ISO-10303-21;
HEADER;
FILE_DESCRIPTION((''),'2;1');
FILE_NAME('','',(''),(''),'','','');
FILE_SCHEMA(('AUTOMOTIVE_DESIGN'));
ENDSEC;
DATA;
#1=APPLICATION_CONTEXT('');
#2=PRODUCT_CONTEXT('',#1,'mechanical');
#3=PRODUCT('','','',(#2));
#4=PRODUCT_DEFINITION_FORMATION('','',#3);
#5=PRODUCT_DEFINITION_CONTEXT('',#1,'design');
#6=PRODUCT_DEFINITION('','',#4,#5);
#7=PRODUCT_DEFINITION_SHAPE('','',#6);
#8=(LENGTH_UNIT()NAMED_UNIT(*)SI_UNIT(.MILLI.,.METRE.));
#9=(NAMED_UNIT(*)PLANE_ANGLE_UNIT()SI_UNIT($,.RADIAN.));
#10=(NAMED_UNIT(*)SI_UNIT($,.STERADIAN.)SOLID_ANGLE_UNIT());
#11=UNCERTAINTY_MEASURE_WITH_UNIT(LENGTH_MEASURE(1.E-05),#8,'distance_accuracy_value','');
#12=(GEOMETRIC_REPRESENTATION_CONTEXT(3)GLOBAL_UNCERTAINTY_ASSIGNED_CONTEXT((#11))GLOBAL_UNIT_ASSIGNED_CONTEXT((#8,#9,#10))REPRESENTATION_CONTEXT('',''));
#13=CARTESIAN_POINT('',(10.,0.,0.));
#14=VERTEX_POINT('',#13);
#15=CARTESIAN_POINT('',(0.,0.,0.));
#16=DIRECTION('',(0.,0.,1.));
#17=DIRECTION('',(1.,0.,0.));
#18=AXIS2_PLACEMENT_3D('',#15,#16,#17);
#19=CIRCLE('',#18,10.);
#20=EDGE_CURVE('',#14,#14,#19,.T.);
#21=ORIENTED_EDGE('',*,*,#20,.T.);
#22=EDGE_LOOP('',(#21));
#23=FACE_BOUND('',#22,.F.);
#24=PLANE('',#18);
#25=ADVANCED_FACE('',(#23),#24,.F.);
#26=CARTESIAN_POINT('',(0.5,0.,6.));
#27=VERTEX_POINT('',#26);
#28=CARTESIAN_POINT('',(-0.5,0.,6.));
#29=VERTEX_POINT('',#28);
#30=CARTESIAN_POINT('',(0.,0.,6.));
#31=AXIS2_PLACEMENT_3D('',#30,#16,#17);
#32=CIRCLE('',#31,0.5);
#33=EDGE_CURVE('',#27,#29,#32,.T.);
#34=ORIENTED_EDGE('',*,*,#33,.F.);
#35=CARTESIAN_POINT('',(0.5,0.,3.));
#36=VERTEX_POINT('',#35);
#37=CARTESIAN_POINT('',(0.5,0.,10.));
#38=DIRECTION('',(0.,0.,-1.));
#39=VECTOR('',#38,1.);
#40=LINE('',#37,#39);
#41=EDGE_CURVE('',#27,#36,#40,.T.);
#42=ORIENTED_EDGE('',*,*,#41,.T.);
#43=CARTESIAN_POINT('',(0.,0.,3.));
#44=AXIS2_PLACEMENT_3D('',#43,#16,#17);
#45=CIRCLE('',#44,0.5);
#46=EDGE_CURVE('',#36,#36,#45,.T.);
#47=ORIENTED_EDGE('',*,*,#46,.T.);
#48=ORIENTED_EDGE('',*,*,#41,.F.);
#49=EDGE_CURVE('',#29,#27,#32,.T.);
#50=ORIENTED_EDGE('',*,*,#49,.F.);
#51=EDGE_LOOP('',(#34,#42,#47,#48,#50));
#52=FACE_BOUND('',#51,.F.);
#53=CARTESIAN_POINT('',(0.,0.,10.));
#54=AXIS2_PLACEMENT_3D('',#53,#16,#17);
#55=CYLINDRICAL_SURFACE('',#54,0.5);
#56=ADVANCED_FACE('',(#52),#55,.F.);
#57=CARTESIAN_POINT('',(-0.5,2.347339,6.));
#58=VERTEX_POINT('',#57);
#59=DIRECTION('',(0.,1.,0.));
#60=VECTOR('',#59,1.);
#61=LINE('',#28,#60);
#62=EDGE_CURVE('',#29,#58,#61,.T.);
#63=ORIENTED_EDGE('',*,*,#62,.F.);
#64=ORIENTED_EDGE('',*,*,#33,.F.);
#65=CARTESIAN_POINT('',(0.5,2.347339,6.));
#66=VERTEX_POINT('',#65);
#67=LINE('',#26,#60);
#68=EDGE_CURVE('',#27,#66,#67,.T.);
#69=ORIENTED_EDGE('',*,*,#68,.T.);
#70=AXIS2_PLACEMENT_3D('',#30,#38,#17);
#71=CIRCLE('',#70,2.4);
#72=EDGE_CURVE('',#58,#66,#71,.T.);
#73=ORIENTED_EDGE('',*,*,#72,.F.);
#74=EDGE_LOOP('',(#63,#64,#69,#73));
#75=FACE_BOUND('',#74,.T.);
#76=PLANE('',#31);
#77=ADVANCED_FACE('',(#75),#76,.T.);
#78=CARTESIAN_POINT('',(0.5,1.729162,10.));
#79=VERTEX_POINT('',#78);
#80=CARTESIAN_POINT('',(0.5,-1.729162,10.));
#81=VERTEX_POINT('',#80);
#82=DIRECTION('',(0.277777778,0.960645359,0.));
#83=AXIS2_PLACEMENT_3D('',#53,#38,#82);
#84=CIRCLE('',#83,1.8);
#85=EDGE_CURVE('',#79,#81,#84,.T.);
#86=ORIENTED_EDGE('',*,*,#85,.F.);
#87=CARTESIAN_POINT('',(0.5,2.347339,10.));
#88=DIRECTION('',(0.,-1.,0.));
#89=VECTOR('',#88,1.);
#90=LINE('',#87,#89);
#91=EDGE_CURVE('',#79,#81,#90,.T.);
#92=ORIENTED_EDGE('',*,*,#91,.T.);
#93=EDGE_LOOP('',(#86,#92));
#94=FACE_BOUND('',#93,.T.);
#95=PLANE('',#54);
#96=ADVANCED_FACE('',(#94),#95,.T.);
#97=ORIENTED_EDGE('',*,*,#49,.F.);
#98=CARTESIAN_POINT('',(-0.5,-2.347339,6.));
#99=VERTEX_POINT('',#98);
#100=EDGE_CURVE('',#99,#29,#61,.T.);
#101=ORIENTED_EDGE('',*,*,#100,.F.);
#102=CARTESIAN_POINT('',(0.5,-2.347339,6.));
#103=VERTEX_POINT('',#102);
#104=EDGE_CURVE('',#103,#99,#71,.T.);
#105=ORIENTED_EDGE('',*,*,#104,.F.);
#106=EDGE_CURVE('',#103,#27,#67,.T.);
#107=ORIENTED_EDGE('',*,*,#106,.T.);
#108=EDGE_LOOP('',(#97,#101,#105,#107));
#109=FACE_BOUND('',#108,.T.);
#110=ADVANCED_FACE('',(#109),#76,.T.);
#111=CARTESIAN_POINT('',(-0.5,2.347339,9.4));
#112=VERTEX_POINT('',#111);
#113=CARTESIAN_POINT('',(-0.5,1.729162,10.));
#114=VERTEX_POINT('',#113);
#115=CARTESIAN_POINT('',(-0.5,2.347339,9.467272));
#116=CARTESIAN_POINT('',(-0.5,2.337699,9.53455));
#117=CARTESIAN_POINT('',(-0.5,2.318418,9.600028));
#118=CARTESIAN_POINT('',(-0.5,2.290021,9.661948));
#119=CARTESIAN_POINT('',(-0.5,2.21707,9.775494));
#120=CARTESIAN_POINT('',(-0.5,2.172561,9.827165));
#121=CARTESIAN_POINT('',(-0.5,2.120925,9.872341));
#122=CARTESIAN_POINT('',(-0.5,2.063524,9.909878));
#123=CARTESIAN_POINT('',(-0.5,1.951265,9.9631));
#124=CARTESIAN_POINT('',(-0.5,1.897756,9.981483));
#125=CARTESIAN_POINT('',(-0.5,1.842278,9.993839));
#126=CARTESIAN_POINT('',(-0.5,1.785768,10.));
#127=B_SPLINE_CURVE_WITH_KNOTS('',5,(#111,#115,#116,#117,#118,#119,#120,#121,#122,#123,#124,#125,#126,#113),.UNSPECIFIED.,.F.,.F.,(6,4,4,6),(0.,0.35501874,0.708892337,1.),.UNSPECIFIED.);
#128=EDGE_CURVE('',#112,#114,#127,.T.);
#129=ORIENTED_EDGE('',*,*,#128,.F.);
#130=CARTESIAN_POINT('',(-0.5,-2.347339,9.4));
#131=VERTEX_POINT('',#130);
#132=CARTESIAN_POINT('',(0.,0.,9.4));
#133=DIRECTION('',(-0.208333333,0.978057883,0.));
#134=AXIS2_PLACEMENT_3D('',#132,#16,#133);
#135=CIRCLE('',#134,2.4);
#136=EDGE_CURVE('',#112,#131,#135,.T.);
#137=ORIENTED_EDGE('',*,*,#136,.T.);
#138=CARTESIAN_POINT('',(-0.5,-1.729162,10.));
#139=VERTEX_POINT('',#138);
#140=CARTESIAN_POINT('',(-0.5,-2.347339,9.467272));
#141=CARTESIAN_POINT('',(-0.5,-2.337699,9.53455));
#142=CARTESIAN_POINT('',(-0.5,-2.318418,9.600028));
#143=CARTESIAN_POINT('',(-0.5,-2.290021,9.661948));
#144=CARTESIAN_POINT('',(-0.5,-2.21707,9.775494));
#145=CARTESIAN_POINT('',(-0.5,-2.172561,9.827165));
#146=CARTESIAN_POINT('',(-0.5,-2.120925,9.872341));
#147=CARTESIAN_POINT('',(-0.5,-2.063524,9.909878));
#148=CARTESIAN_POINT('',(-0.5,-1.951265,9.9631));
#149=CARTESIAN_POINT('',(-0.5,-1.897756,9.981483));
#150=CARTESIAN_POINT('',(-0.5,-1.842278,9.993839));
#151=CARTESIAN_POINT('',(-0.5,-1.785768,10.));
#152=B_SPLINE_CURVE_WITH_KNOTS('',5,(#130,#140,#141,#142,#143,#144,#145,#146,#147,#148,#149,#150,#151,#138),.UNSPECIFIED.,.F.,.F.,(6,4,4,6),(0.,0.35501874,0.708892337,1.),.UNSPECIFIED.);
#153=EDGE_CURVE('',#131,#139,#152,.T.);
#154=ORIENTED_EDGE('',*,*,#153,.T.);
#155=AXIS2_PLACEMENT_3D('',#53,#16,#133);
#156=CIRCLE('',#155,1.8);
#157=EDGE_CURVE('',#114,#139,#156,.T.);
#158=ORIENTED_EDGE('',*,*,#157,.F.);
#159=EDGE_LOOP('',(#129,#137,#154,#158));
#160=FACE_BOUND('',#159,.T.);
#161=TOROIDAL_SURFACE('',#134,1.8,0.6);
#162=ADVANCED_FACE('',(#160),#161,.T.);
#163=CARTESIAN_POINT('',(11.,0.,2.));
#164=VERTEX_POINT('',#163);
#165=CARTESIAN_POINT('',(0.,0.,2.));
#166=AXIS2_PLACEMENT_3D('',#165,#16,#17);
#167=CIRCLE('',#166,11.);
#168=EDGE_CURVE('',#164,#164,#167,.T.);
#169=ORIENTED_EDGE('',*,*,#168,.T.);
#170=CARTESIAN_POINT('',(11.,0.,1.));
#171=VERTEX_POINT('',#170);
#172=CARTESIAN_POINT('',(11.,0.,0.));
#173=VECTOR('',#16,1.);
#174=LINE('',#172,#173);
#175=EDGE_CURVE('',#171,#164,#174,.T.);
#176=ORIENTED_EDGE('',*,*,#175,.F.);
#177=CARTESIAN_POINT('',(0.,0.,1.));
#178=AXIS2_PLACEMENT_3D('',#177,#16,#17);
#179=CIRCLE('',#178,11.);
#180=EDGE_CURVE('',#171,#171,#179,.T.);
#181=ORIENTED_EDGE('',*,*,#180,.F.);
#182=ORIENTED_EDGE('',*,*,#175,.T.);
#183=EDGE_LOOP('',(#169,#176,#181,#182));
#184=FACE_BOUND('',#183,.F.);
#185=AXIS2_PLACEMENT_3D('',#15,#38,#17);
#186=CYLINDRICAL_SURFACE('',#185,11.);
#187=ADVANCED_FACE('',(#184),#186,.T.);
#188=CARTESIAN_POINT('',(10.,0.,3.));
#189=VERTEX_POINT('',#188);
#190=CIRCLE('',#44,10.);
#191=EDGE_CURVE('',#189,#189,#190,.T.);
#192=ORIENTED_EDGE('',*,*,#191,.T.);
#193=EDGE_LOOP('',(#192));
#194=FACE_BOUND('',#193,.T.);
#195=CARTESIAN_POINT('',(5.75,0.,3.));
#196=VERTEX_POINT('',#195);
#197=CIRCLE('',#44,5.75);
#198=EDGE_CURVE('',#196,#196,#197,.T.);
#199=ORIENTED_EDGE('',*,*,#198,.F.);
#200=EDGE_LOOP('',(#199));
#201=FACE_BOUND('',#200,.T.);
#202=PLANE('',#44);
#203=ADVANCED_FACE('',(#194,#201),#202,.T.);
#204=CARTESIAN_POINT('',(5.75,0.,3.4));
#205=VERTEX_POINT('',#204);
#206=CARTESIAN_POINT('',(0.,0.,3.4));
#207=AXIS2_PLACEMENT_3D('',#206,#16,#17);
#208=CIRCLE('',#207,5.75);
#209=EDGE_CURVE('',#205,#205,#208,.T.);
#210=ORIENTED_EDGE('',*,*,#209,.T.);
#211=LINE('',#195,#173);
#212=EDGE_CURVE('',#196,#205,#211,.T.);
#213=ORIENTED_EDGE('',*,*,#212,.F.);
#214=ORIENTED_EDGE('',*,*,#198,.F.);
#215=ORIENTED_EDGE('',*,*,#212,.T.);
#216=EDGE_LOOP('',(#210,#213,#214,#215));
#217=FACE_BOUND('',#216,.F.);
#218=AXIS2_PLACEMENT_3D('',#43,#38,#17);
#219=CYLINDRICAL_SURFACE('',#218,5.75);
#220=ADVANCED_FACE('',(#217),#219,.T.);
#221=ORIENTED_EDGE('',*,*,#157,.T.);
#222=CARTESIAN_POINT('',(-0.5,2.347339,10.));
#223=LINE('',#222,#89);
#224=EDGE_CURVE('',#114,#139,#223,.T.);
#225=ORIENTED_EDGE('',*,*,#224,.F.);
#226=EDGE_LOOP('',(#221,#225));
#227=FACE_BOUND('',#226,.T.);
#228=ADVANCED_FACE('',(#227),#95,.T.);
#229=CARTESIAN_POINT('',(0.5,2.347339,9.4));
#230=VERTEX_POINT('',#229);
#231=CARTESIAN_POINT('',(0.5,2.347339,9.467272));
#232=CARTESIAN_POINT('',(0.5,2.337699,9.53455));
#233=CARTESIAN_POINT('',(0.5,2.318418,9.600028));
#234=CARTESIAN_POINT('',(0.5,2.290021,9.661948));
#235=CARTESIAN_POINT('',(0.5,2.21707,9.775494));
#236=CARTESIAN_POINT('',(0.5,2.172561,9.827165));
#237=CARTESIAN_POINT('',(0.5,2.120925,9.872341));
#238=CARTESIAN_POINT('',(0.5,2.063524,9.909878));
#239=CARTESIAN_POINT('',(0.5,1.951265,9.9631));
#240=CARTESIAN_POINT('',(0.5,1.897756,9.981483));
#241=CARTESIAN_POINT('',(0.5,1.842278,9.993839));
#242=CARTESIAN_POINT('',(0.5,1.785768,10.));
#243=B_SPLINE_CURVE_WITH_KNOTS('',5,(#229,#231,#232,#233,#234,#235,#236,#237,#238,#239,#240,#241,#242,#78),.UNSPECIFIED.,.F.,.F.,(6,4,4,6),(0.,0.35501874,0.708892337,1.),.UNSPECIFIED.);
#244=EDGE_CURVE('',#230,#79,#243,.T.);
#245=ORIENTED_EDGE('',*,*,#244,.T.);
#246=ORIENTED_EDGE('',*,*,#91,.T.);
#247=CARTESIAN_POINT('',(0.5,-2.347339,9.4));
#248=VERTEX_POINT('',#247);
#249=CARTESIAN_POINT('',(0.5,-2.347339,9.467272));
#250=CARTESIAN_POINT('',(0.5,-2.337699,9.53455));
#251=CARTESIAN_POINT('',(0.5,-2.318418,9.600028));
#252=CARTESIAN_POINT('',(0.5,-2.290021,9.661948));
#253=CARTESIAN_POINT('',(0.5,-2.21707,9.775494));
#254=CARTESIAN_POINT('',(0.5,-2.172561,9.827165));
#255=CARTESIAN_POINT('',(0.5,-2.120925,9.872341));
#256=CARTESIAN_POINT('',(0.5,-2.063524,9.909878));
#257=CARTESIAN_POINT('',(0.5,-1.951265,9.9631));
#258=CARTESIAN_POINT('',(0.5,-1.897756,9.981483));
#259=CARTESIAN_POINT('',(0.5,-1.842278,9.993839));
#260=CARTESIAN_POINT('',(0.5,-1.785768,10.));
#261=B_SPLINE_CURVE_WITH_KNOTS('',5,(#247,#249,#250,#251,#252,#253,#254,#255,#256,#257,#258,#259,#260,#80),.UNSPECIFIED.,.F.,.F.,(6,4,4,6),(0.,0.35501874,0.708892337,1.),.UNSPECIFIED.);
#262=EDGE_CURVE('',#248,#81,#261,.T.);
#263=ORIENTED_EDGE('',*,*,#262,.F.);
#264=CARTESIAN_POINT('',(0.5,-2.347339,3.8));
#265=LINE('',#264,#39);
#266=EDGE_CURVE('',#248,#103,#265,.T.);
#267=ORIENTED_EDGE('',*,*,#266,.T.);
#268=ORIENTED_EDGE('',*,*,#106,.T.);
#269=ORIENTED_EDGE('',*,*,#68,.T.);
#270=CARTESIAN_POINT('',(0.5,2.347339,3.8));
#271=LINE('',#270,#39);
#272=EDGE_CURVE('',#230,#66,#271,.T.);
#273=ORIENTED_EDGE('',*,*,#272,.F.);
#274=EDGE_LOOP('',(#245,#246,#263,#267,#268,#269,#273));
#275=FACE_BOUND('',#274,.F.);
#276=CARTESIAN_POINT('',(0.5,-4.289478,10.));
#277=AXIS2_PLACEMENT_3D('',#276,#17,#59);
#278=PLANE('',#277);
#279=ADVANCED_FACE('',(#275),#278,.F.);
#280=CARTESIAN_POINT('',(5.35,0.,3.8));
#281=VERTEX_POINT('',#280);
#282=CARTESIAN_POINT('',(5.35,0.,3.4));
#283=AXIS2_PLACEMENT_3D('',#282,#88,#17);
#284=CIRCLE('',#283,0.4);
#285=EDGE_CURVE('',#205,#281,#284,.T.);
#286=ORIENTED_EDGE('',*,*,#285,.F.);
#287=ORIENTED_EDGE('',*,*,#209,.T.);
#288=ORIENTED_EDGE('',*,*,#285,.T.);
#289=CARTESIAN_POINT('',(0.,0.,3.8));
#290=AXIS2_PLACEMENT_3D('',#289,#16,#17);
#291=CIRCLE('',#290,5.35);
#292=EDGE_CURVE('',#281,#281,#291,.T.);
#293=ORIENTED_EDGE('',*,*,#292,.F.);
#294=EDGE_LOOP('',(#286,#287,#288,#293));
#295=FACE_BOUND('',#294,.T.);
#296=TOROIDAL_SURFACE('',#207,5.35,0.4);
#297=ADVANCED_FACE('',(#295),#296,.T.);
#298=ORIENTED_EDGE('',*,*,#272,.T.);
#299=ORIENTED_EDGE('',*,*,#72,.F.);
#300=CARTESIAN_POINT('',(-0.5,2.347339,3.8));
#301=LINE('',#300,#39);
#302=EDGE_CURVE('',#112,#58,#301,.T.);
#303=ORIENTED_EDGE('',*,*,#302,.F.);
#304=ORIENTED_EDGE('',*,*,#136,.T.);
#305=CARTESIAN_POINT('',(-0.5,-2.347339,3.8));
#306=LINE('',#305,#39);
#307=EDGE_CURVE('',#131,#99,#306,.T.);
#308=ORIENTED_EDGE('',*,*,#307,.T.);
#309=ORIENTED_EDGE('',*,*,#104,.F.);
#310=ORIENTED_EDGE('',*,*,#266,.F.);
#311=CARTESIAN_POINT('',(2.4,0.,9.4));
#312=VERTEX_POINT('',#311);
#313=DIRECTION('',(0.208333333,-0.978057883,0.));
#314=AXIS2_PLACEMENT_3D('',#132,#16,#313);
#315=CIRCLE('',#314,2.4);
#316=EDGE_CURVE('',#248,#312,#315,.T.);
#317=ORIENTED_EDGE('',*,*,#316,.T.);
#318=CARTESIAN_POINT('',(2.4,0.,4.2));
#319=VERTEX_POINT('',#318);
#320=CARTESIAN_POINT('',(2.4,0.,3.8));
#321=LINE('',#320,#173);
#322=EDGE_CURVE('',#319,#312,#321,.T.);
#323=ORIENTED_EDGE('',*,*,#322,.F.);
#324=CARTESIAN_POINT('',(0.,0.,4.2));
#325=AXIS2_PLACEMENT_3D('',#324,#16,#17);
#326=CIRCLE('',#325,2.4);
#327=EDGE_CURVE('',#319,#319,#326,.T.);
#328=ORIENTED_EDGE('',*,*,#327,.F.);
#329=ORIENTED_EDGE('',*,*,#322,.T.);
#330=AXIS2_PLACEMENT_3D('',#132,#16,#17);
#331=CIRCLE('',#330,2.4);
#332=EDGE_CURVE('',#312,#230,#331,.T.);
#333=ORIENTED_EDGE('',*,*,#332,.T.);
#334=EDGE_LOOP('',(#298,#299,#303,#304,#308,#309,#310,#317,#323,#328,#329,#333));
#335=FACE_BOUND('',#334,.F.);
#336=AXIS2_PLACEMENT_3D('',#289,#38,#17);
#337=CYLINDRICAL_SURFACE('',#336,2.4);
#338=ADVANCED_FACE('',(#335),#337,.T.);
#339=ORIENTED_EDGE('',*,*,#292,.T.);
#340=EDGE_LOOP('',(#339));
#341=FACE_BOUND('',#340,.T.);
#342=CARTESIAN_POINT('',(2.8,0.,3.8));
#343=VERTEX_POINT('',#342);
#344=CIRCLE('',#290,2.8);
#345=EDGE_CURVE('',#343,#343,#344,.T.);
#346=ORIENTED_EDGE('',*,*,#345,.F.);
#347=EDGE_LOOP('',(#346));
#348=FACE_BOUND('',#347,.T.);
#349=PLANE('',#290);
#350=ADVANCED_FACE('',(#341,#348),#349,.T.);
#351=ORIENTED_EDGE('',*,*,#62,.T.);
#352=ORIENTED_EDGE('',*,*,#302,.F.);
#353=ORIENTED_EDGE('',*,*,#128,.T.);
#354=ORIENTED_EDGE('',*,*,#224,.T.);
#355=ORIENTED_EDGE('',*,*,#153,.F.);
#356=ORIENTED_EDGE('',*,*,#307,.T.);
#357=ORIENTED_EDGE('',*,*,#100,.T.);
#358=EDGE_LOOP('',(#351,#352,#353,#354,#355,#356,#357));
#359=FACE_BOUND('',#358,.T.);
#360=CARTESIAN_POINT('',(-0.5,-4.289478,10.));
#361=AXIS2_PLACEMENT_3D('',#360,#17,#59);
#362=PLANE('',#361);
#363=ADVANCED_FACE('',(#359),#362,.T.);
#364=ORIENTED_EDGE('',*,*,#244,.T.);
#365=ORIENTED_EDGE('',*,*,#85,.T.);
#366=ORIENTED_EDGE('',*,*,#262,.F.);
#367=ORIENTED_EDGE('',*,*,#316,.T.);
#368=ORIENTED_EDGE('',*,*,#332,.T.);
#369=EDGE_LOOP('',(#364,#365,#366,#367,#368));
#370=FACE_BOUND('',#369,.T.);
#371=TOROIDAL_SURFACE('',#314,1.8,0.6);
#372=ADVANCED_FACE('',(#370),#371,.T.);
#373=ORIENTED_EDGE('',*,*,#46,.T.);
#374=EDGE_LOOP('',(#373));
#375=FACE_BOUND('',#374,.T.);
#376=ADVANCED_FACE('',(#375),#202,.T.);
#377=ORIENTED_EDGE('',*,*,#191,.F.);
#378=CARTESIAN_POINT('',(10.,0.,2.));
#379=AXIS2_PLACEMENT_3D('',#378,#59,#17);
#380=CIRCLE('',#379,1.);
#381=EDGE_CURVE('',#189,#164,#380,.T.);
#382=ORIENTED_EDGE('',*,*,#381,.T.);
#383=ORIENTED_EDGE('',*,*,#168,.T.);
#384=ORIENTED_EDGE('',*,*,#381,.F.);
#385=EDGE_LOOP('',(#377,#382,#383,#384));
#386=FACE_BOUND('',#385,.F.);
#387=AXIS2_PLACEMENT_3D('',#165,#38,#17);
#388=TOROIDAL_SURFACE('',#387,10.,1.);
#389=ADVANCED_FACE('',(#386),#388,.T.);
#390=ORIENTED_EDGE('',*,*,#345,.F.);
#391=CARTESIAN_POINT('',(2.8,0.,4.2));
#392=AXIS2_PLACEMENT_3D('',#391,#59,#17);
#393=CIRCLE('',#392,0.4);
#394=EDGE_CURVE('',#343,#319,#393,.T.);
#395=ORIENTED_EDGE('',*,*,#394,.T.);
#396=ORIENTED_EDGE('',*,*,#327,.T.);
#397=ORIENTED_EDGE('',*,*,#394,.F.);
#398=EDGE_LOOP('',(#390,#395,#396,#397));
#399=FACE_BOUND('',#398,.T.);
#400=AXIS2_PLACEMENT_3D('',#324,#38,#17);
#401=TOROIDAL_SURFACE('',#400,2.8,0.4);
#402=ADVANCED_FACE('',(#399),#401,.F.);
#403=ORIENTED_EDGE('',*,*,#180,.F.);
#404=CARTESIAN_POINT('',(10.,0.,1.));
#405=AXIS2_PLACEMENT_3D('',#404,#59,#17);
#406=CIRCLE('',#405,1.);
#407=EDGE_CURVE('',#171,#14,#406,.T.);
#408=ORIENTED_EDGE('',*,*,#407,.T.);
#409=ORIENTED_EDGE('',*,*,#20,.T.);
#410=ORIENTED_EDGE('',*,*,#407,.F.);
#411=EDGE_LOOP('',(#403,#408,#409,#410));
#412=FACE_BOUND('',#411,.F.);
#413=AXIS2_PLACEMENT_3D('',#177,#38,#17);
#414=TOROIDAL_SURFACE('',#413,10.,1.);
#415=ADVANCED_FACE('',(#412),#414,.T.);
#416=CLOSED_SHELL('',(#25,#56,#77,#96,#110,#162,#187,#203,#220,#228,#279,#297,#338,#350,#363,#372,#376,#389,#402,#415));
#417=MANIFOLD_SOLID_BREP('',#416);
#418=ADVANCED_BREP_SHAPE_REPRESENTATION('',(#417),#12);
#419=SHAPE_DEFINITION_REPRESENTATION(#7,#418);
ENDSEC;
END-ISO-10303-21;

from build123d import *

# Parameters (mm, degrees)
F0_R      = 11
F1_DEPTH  = 3
F2_R      = 5.75
F3_DEPTH  = 0.8
F4_R      = 2.4
F5_DEPTH  = 6.2
F6_R      = 0.5
F9_DEPTH  = 7
F10_W     = 1
F10_H     = 8.5789565172
F11_DEPTH = 4
F12_R     = 0.6
F13_R     = 1
F14_R     = 0.4


with BuildPart() as f1:
    # F0 (on Top) → F1 (new body)
    with BuildSketch(Plane.XY):
        Circle(F0_R)
    extrude(amount=F1_DEPTH)

    # F2 (on face) → F3 (join)
    with BuildSketch(Plane.XY.offset(3)):
        Circle(F2_R)
    extrude(amount=F3_DEPTH)

    # F4 (on face) → F5 (join)
    with BuildSketch(Plane.XY.offset(3.8)):
        Circle(F4_R)
    extrude(amount=F5_DEPTH)

    # F6 (on face) → F9 (cut)
    with BuildSketch(Plane.XY.offset(10)):
        Circle(F6_R)
    extrude(amount=-F9_DEPTH, mode=Mode.SUBTRACT)

    # F10 (on face) → F11 (cut)
    with BuildSketch(Plane.XY.offset(10)):
        Rectangle(F10_W, F10_H)
    extrude(amount=-F11_DEPTH, mode=Mode.SUBTRACT)

    # F12
    f12_edges = [f1.edges().sort_by_distance(p)[0] for p in [
        (-2.4, 0, 10),
        (1.865476, -1.509967, 10),
        (1.865476, 1.509967, 10),
    ]]
    fillet(f12_edges, radius=F12_R)

    # F13
    f13_edges = [f1.edges().sort_by_distance(p)[0] for p in [
        (-11, 0, 3),
        (-11, 0, 0),
    ]]
    fillet(f13_edges, radius=F13_R)

    # F14
    f14_edges = [f1.edges().sort_by_distance(p)[0] for p in [
        (-5.75, 0, 3.8),
        (-2.4, 0, 3.8),
    ]]
    fillet(f14_edges, radius=F14_R)


solid = f1.part
